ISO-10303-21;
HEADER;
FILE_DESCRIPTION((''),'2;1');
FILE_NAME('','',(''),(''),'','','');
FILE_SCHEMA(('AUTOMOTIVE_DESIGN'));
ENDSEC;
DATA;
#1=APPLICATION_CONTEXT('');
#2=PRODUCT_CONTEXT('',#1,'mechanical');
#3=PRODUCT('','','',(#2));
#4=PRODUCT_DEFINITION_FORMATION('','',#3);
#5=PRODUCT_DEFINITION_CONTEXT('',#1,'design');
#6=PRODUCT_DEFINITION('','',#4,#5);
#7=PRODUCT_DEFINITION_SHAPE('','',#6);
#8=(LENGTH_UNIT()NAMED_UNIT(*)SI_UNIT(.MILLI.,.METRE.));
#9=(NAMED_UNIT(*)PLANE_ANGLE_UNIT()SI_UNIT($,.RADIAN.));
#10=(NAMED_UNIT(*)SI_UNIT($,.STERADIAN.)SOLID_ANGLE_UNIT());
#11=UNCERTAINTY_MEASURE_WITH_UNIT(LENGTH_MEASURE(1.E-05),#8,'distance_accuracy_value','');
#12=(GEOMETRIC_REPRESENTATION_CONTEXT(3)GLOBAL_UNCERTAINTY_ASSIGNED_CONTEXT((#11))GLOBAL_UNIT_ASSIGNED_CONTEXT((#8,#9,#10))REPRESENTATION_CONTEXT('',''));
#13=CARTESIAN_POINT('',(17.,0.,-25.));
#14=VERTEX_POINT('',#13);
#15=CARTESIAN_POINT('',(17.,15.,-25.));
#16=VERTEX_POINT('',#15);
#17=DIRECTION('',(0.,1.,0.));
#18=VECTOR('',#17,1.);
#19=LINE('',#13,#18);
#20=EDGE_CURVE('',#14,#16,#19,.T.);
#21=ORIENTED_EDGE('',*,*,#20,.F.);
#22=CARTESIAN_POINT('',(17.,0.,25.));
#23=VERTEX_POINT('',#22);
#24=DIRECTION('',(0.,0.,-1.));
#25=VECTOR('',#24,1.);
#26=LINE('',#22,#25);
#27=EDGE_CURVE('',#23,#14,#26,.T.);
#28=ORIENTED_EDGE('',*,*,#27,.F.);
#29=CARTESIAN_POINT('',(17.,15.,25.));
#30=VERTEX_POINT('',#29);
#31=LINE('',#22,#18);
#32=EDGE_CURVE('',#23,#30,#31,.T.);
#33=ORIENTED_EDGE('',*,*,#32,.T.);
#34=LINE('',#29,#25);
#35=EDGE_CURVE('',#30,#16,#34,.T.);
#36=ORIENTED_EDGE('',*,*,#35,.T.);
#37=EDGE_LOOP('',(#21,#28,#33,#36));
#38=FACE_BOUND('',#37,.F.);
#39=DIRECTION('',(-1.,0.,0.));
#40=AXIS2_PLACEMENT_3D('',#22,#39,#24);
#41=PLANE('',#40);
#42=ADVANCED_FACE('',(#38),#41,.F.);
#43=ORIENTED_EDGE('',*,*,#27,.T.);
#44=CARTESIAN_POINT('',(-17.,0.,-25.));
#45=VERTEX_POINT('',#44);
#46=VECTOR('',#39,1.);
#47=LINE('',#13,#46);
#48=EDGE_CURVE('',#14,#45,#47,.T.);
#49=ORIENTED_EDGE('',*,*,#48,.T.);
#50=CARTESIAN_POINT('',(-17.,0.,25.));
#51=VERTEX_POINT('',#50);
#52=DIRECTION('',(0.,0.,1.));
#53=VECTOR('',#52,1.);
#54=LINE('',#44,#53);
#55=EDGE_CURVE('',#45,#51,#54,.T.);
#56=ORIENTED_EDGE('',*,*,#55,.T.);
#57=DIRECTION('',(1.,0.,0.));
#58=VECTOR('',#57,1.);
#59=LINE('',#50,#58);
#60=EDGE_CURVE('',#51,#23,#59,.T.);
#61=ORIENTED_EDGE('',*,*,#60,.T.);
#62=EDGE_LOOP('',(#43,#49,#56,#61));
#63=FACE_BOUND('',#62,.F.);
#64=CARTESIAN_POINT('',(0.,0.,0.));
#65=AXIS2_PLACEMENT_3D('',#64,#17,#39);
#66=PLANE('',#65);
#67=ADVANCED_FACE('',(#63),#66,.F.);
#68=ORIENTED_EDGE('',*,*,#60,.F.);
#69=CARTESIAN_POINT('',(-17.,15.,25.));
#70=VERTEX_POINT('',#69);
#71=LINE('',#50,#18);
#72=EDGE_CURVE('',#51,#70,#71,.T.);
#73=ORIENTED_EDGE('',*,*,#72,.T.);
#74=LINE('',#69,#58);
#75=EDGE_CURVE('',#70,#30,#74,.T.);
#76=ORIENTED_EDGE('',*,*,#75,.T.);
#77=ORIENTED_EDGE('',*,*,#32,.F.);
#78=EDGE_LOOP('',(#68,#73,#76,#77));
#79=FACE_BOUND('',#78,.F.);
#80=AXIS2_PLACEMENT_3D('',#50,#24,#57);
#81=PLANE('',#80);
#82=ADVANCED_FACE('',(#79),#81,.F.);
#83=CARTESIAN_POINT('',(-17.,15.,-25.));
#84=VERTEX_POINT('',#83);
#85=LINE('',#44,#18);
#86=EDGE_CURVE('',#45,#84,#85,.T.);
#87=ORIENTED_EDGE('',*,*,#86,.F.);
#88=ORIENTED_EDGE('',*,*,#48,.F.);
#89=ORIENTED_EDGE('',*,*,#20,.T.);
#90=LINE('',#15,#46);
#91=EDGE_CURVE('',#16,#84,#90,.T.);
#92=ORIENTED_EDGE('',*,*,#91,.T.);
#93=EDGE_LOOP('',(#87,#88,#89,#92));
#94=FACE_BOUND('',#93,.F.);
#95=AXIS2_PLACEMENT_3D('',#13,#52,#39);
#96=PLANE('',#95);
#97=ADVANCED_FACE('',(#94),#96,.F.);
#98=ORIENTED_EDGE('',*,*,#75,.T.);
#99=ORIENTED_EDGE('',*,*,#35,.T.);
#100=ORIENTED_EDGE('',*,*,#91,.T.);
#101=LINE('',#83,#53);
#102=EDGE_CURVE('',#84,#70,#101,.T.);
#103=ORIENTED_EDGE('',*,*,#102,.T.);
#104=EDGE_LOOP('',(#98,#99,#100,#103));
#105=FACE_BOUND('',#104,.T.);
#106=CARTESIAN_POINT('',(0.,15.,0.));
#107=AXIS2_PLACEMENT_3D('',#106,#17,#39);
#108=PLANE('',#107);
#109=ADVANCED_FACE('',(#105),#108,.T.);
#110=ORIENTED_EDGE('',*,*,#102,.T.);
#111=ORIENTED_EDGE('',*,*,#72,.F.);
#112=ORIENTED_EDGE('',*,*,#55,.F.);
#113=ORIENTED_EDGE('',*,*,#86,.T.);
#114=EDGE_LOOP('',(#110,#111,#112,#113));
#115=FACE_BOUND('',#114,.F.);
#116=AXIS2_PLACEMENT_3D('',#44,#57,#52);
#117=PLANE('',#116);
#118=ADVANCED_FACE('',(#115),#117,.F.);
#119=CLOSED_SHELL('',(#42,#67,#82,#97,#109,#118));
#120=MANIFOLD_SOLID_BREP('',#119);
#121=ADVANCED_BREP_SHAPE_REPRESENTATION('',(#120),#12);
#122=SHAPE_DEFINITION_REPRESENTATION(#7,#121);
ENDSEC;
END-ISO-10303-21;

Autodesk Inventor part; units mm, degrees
ref_plane "YZ Plane" through (0, 0, 0) normal (1, 0, 0) x (0, 1, 0)
ref_plane "XZ Plane" through (0, 0, 0) normal (0, 1, 0) x (-1, 0, 0)
ref_plane "XY Plane" through (0, 0, 0) normal (0, 0, 1) x (1, 0, 0)
sketch "Sketch1" plane through (0, 0, 0) normal (0, 1, 0) x (-1, 0, 0)
  line L0 (17, 25) -> (-17, 25)
  line L1 (-17, 25) -> (-17, -25)
  line L2 (-17, -25) -> (17, -25)
  line L3 (17, -25) -> (17, 25)
  line L4 (17, 25) -> (-17, -25) construction
  line L5 (-17, 25) -> (17, -25) construction
  point P0 (0, 0)
  dimension "d0" = 34
  dimension "d1" = 50
extrude "Extrusion1" add sketch "Sketch1" along normal blind 15
properties part number "Antenne"
